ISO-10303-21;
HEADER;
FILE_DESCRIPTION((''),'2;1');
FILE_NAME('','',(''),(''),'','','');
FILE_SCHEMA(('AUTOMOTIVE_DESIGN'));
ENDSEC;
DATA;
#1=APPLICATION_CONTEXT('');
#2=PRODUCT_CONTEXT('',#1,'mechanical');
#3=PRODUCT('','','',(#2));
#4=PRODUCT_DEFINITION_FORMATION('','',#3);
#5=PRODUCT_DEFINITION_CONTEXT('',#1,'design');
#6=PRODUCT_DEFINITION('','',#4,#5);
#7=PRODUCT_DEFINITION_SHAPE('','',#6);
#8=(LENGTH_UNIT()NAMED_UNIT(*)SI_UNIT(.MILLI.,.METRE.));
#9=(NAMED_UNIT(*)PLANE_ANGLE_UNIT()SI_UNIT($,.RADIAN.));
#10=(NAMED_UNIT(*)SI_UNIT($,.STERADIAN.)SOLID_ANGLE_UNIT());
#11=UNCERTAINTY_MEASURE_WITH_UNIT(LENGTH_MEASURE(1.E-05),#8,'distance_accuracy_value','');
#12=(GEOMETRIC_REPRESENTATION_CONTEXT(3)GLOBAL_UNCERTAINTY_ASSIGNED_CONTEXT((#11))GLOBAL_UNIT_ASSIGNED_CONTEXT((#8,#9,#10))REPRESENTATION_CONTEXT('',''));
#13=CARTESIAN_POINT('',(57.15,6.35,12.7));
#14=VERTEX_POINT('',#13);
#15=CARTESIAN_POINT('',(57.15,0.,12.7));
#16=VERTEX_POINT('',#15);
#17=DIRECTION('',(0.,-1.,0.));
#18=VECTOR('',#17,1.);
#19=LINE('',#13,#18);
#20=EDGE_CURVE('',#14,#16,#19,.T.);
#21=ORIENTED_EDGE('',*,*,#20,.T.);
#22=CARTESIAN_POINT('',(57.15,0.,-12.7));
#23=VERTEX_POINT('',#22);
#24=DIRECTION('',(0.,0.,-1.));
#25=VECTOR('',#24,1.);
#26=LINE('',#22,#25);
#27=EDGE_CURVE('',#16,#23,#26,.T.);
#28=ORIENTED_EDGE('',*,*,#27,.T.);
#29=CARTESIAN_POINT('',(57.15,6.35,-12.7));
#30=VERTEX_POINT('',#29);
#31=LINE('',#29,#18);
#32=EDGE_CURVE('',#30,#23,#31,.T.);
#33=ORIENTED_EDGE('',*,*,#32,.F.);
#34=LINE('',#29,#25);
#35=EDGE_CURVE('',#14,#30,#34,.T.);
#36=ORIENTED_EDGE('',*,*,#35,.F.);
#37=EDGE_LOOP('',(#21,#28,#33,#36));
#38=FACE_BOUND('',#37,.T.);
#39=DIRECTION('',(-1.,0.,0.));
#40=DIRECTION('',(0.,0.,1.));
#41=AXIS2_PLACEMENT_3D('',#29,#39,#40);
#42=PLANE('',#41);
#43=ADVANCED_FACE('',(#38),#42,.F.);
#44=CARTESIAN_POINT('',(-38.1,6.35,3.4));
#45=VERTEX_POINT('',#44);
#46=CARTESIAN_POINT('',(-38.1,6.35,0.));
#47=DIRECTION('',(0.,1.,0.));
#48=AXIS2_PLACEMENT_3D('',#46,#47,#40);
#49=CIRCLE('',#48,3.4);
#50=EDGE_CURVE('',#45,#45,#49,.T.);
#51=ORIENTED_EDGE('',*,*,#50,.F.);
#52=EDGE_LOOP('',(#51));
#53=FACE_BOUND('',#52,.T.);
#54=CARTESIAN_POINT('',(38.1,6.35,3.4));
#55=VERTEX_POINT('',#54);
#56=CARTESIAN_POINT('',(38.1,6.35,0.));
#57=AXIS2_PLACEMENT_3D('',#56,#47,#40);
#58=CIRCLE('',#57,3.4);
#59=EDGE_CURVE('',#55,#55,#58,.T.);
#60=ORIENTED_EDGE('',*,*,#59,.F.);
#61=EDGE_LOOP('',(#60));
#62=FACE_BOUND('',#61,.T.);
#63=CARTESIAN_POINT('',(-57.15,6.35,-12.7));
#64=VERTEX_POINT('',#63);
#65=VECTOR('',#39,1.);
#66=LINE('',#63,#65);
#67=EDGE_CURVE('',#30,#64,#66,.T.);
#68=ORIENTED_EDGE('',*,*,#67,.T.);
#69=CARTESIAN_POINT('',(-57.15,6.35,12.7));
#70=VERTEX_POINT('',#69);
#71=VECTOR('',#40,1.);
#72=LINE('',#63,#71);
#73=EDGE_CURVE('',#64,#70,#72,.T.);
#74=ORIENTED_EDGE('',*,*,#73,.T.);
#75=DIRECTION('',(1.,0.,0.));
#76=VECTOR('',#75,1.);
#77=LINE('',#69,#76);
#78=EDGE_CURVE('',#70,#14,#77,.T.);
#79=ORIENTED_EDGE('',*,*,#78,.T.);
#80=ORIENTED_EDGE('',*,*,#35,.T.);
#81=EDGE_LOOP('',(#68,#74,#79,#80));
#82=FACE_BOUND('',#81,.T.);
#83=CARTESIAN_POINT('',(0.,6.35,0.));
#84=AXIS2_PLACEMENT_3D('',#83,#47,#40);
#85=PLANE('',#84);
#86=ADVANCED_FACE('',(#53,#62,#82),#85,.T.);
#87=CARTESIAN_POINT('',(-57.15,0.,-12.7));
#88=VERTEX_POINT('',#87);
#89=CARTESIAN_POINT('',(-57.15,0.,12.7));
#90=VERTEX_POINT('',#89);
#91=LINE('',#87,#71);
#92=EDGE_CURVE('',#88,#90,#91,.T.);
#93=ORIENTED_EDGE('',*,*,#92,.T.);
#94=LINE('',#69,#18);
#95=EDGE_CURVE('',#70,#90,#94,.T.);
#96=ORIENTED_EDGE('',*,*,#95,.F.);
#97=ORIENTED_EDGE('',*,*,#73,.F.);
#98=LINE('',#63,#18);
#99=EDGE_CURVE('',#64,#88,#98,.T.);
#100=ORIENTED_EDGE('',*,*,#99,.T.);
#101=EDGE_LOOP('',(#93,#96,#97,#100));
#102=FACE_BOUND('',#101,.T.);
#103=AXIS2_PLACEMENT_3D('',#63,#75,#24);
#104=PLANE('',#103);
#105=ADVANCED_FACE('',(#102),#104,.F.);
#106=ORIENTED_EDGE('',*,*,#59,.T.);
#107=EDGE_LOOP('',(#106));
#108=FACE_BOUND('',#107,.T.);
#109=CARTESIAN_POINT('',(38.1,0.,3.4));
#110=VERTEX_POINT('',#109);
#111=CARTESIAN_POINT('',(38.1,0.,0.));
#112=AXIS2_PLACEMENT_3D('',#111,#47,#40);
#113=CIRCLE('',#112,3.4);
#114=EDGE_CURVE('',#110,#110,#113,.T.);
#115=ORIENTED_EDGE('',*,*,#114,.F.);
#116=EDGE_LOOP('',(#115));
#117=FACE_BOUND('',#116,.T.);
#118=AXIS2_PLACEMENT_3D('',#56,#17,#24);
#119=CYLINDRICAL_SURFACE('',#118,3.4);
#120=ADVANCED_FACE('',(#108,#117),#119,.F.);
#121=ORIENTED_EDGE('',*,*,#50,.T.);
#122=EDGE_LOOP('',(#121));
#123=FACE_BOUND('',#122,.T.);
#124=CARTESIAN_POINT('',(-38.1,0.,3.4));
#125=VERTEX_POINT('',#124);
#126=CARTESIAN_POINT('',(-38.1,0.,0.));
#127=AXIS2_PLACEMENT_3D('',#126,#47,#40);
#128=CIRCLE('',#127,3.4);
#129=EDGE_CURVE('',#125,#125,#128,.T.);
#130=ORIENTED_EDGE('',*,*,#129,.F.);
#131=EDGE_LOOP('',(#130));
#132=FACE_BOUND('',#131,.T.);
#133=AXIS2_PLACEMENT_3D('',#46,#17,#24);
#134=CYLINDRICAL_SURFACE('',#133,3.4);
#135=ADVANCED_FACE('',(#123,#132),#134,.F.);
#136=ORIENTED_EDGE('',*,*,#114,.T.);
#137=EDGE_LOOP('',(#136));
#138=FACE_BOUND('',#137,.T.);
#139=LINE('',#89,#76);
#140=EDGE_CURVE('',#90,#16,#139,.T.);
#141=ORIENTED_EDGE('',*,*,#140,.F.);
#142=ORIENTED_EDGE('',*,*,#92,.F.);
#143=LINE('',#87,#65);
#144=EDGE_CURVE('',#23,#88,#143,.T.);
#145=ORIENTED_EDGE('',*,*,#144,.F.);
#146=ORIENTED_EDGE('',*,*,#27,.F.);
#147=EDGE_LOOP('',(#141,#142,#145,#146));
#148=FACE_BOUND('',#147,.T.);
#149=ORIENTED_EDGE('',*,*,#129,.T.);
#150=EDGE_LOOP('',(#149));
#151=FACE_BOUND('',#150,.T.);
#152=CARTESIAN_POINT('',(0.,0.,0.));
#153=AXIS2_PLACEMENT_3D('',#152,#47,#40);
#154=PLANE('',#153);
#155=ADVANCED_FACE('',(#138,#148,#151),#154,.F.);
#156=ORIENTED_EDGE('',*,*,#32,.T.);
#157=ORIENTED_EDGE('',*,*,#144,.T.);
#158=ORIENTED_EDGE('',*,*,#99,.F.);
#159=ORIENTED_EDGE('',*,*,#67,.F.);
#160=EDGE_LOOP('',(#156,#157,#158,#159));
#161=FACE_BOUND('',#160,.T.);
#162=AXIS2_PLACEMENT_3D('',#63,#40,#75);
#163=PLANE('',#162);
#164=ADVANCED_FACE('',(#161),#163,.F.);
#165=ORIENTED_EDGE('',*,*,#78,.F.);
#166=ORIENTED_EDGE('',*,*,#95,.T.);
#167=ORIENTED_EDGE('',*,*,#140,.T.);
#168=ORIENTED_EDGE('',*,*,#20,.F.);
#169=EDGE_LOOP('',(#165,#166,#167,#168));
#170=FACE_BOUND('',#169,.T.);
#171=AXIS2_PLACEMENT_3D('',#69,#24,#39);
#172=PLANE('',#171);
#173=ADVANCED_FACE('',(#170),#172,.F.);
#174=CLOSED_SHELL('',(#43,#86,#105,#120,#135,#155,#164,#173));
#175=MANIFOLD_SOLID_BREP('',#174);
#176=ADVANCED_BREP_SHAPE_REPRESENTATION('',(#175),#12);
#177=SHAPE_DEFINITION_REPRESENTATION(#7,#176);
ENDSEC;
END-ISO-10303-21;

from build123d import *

# Parameters (mm, degrees)
SKETCH1_W           = 114.3
SKETCH1_H           = 25.4
SKETCH1_R           = 3.4
BOSS_EXTRUDE1_DEPTH = 6.35


with BuildPart() as part:
    # Sketch1 → Boss-Extrude1 (new body)
    with BuildSketch(Plane(origin=(0, 0, 0), x_dir=(1, 0, 0), z_dir=(0, 1, 0))):
        Rectangle(SKETCH1_W, SKETCH1_H)
        with Locations((-38.1, 0)):
            Circle(SKETCH1_R, mode=Mode.SUBTRACT)
        with Locations((38.1, 0)):
            Circle(SKETCH1_R, mode=Mode.SUBTRACT)
    extrude(amount=BOSS_EXTRUDE1_DEPTH)


solid = part.part
